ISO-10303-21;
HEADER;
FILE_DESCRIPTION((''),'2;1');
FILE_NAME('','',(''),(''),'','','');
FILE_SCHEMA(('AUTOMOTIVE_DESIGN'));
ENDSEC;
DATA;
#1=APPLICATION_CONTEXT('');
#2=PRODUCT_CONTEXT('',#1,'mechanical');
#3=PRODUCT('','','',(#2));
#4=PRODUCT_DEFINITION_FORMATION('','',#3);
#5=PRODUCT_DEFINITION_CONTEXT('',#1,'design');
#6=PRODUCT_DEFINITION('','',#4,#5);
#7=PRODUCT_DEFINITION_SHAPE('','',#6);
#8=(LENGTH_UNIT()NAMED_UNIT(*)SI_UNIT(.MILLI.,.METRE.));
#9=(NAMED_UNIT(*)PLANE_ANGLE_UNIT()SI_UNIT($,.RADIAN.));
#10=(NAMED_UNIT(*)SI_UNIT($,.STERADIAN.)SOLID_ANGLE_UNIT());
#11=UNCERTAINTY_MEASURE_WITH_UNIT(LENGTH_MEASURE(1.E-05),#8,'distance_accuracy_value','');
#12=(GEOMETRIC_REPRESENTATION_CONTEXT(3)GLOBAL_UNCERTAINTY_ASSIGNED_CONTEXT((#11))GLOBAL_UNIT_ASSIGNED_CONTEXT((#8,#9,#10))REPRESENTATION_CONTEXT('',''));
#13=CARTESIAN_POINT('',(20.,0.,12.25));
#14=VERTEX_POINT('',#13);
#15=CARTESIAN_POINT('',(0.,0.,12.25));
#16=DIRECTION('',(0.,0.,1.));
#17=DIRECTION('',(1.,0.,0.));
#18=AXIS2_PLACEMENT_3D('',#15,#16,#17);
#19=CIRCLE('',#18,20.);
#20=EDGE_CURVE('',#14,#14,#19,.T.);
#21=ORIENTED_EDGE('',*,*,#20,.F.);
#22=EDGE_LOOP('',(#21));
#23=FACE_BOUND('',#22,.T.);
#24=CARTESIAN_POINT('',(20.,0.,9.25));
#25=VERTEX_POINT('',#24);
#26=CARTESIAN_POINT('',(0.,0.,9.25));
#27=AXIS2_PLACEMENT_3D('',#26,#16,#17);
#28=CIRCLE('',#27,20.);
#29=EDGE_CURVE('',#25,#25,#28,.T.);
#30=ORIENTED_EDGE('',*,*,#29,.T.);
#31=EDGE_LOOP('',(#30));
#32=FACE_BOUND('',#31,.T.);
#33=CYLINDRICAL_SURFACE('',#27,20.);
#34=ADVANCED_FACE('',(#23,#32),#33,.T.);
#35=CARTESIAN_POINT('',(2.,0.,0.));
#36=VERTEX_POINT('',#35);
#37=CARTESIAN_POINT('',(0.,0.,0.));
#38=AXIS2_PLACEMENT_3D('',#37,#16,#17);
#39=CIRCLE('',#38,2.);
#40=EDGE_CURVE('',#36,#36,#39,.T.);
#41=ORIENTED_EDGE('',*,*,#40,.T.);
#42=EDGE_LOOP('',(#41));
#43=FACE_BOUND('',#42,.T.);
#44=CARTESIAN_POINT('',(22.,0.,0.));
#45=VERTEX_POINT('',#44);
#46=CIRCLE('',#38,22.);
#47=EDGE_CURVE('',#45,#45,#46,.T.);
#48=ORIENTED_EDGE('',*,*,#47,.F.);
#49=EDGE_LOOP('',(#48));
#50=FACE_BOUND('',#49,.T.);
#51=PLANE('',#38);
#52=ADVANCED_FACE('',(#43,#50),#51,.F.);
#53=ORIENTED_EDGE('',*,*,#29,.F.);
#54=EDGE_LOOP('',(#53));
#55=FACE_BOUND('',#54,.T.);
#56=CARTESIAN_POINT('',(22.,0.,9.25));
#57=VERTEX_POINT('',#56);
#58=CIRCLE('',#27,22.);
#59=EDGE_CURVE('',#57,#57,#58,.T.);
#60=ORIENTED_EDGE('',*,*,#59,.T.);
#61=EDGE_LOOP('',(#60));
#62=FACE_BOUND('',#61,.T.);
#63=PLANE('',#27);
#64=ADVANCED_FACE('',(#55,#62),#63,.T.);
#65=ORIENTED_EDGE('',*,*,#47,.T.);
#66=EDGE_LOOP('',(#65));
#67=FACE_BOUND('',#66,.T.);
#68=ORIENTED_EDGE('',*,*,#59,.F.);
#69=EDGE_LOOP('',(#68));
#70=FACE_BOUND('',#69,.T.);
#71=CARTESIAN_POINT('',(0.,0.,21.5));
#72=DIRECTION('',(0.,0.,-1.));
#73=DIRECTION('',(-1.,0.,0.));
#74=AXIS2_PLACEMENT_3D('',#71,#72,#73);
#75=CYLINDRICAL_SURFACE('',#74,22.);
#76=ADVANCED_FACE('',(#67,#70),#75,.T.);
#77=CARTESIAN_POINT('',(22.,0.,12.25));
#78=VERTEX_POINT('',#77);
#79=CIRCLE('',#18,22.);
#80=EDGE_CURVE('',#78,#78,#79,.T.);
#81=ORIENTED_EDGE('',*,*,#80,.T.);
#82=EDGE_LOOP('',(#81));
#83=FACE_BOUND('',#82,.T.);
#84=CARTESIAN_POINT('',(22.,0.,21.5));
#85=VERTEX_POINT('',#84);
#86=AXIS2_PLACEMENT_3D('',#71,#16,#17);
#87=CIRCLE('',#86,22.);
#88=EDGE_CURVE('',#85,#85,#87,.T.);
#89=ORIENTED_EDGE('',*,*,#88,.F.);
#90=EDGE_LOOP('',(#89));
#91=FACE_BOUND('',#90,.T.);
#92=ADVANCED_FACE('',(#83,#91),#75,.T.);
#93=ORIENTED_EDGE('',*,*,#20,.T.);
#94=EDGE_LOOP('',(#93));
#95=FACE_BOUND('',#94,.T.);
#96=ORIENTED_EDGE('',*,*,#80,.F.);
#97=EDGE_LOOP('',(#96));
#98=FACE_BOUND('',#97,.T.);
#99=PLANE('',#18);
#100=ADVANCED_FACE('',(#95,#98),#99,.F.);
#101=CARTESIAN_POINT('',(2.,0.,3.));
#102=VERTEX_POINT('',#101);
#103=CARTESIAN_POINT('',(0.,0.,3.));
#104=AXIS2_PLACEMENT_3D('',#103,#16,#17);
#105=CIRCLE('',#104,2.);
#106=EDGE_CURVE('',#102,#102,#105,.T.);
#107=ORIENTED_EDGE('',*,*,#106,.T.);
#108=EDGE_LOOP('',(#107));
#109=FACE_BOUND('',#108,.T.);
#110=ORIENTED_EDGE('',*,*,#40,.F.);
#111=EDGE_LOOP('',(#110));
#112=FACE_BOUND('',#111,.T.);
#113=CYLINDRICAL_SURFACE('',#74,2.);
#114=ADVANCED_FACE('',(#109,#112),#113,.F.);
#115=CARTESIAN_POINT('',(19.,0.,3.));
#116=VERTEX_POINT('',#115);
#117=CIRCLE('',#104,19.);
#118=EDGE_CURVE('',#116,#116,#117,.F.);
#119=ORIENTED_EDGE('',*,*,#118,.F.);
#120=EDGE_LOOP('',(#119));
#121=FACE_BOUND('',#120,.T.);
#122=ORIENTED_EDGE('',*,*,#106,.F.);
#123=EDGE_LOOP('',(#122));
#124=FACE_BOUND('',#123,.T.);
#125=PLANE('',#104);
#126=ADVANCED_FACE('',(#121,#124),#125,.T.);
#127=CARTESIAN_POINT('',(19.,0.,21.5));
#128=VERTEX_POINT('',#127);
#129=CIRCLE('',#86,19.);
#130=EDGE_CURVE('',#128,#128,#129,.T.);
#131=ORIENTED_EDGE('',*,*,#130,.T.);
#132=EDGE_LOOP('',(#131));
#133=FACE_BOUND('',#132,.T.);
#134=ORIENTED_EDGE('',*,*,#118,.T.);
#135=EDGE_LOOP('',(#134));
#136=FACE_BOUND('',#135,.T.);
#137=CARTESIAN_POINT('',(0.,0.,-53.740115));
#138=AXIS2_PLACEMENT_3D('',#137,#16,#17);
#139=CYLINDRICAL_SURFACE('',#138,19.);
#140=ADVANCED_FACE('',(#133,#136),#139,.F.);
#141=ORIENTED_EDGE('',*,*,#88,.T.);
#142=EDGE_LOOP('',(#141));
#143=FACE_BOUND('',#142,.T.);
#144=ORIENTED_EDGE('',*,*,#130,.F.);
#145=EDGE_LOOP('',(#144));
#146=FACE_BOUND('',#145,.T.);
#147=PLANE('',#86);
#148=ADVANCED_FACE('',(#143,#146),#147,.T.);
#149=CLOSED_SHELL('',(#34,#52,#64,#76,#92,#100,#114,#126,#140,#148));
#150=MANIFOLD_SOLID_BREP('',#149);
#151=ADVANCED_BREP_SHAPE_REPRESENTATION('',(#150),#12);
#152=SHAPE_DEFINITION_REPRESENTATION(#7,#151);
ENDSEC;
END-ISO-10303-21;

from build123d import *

# Parameters (mm, degrees)
SKETCH1_R           = 22
SKETCH1_R_2         = 2
BOSS_EXTRUDE1_DEPTH = 21.5
SKETCH2_R           = 19
CUT_EXTRUDE1_DEPTH  = 18.5
SKETCH3_R           = 22
SKETCH3_R_2         = 20
CUT_EXTRUDE2_DEPTH  = 1.5


with BuildPart() as part:
    # Sketch1 → Boss-Extrude1 (new body)
    with BuildSketch(Plane.XY):
        Circle(SKETCH1_R)
        Circle(SKETCH1_R_2, mode=Mode.SUBTRACT)
    extrude(amount=BOSS_EXTRUDE1_DEPTH)

    # Sketch2 → Cut-Extrude1 (cut)
    with BuildSketch(Plane.XY.offset(21.5)):
        Circle(SKETCH2_R)
    extrude(amount=-CUT_EXTRUDE1_DEPTH, mode=Mode.SUBTRACT)

    # Sketch3 → Cut-Extrude2 (cut, symmetric)
    with BuildSketch(Plane.XY.offset(10.75)):
        Circle(SKETCH3_R)
        Circle(SKETCH3_R_2, mode=Mode.SUBTRACT)
    extrude(amount=CUT_EXTRUDE2_DEPTH, both=True, mode=Mode.SUBTRACT)


solid = part.part
